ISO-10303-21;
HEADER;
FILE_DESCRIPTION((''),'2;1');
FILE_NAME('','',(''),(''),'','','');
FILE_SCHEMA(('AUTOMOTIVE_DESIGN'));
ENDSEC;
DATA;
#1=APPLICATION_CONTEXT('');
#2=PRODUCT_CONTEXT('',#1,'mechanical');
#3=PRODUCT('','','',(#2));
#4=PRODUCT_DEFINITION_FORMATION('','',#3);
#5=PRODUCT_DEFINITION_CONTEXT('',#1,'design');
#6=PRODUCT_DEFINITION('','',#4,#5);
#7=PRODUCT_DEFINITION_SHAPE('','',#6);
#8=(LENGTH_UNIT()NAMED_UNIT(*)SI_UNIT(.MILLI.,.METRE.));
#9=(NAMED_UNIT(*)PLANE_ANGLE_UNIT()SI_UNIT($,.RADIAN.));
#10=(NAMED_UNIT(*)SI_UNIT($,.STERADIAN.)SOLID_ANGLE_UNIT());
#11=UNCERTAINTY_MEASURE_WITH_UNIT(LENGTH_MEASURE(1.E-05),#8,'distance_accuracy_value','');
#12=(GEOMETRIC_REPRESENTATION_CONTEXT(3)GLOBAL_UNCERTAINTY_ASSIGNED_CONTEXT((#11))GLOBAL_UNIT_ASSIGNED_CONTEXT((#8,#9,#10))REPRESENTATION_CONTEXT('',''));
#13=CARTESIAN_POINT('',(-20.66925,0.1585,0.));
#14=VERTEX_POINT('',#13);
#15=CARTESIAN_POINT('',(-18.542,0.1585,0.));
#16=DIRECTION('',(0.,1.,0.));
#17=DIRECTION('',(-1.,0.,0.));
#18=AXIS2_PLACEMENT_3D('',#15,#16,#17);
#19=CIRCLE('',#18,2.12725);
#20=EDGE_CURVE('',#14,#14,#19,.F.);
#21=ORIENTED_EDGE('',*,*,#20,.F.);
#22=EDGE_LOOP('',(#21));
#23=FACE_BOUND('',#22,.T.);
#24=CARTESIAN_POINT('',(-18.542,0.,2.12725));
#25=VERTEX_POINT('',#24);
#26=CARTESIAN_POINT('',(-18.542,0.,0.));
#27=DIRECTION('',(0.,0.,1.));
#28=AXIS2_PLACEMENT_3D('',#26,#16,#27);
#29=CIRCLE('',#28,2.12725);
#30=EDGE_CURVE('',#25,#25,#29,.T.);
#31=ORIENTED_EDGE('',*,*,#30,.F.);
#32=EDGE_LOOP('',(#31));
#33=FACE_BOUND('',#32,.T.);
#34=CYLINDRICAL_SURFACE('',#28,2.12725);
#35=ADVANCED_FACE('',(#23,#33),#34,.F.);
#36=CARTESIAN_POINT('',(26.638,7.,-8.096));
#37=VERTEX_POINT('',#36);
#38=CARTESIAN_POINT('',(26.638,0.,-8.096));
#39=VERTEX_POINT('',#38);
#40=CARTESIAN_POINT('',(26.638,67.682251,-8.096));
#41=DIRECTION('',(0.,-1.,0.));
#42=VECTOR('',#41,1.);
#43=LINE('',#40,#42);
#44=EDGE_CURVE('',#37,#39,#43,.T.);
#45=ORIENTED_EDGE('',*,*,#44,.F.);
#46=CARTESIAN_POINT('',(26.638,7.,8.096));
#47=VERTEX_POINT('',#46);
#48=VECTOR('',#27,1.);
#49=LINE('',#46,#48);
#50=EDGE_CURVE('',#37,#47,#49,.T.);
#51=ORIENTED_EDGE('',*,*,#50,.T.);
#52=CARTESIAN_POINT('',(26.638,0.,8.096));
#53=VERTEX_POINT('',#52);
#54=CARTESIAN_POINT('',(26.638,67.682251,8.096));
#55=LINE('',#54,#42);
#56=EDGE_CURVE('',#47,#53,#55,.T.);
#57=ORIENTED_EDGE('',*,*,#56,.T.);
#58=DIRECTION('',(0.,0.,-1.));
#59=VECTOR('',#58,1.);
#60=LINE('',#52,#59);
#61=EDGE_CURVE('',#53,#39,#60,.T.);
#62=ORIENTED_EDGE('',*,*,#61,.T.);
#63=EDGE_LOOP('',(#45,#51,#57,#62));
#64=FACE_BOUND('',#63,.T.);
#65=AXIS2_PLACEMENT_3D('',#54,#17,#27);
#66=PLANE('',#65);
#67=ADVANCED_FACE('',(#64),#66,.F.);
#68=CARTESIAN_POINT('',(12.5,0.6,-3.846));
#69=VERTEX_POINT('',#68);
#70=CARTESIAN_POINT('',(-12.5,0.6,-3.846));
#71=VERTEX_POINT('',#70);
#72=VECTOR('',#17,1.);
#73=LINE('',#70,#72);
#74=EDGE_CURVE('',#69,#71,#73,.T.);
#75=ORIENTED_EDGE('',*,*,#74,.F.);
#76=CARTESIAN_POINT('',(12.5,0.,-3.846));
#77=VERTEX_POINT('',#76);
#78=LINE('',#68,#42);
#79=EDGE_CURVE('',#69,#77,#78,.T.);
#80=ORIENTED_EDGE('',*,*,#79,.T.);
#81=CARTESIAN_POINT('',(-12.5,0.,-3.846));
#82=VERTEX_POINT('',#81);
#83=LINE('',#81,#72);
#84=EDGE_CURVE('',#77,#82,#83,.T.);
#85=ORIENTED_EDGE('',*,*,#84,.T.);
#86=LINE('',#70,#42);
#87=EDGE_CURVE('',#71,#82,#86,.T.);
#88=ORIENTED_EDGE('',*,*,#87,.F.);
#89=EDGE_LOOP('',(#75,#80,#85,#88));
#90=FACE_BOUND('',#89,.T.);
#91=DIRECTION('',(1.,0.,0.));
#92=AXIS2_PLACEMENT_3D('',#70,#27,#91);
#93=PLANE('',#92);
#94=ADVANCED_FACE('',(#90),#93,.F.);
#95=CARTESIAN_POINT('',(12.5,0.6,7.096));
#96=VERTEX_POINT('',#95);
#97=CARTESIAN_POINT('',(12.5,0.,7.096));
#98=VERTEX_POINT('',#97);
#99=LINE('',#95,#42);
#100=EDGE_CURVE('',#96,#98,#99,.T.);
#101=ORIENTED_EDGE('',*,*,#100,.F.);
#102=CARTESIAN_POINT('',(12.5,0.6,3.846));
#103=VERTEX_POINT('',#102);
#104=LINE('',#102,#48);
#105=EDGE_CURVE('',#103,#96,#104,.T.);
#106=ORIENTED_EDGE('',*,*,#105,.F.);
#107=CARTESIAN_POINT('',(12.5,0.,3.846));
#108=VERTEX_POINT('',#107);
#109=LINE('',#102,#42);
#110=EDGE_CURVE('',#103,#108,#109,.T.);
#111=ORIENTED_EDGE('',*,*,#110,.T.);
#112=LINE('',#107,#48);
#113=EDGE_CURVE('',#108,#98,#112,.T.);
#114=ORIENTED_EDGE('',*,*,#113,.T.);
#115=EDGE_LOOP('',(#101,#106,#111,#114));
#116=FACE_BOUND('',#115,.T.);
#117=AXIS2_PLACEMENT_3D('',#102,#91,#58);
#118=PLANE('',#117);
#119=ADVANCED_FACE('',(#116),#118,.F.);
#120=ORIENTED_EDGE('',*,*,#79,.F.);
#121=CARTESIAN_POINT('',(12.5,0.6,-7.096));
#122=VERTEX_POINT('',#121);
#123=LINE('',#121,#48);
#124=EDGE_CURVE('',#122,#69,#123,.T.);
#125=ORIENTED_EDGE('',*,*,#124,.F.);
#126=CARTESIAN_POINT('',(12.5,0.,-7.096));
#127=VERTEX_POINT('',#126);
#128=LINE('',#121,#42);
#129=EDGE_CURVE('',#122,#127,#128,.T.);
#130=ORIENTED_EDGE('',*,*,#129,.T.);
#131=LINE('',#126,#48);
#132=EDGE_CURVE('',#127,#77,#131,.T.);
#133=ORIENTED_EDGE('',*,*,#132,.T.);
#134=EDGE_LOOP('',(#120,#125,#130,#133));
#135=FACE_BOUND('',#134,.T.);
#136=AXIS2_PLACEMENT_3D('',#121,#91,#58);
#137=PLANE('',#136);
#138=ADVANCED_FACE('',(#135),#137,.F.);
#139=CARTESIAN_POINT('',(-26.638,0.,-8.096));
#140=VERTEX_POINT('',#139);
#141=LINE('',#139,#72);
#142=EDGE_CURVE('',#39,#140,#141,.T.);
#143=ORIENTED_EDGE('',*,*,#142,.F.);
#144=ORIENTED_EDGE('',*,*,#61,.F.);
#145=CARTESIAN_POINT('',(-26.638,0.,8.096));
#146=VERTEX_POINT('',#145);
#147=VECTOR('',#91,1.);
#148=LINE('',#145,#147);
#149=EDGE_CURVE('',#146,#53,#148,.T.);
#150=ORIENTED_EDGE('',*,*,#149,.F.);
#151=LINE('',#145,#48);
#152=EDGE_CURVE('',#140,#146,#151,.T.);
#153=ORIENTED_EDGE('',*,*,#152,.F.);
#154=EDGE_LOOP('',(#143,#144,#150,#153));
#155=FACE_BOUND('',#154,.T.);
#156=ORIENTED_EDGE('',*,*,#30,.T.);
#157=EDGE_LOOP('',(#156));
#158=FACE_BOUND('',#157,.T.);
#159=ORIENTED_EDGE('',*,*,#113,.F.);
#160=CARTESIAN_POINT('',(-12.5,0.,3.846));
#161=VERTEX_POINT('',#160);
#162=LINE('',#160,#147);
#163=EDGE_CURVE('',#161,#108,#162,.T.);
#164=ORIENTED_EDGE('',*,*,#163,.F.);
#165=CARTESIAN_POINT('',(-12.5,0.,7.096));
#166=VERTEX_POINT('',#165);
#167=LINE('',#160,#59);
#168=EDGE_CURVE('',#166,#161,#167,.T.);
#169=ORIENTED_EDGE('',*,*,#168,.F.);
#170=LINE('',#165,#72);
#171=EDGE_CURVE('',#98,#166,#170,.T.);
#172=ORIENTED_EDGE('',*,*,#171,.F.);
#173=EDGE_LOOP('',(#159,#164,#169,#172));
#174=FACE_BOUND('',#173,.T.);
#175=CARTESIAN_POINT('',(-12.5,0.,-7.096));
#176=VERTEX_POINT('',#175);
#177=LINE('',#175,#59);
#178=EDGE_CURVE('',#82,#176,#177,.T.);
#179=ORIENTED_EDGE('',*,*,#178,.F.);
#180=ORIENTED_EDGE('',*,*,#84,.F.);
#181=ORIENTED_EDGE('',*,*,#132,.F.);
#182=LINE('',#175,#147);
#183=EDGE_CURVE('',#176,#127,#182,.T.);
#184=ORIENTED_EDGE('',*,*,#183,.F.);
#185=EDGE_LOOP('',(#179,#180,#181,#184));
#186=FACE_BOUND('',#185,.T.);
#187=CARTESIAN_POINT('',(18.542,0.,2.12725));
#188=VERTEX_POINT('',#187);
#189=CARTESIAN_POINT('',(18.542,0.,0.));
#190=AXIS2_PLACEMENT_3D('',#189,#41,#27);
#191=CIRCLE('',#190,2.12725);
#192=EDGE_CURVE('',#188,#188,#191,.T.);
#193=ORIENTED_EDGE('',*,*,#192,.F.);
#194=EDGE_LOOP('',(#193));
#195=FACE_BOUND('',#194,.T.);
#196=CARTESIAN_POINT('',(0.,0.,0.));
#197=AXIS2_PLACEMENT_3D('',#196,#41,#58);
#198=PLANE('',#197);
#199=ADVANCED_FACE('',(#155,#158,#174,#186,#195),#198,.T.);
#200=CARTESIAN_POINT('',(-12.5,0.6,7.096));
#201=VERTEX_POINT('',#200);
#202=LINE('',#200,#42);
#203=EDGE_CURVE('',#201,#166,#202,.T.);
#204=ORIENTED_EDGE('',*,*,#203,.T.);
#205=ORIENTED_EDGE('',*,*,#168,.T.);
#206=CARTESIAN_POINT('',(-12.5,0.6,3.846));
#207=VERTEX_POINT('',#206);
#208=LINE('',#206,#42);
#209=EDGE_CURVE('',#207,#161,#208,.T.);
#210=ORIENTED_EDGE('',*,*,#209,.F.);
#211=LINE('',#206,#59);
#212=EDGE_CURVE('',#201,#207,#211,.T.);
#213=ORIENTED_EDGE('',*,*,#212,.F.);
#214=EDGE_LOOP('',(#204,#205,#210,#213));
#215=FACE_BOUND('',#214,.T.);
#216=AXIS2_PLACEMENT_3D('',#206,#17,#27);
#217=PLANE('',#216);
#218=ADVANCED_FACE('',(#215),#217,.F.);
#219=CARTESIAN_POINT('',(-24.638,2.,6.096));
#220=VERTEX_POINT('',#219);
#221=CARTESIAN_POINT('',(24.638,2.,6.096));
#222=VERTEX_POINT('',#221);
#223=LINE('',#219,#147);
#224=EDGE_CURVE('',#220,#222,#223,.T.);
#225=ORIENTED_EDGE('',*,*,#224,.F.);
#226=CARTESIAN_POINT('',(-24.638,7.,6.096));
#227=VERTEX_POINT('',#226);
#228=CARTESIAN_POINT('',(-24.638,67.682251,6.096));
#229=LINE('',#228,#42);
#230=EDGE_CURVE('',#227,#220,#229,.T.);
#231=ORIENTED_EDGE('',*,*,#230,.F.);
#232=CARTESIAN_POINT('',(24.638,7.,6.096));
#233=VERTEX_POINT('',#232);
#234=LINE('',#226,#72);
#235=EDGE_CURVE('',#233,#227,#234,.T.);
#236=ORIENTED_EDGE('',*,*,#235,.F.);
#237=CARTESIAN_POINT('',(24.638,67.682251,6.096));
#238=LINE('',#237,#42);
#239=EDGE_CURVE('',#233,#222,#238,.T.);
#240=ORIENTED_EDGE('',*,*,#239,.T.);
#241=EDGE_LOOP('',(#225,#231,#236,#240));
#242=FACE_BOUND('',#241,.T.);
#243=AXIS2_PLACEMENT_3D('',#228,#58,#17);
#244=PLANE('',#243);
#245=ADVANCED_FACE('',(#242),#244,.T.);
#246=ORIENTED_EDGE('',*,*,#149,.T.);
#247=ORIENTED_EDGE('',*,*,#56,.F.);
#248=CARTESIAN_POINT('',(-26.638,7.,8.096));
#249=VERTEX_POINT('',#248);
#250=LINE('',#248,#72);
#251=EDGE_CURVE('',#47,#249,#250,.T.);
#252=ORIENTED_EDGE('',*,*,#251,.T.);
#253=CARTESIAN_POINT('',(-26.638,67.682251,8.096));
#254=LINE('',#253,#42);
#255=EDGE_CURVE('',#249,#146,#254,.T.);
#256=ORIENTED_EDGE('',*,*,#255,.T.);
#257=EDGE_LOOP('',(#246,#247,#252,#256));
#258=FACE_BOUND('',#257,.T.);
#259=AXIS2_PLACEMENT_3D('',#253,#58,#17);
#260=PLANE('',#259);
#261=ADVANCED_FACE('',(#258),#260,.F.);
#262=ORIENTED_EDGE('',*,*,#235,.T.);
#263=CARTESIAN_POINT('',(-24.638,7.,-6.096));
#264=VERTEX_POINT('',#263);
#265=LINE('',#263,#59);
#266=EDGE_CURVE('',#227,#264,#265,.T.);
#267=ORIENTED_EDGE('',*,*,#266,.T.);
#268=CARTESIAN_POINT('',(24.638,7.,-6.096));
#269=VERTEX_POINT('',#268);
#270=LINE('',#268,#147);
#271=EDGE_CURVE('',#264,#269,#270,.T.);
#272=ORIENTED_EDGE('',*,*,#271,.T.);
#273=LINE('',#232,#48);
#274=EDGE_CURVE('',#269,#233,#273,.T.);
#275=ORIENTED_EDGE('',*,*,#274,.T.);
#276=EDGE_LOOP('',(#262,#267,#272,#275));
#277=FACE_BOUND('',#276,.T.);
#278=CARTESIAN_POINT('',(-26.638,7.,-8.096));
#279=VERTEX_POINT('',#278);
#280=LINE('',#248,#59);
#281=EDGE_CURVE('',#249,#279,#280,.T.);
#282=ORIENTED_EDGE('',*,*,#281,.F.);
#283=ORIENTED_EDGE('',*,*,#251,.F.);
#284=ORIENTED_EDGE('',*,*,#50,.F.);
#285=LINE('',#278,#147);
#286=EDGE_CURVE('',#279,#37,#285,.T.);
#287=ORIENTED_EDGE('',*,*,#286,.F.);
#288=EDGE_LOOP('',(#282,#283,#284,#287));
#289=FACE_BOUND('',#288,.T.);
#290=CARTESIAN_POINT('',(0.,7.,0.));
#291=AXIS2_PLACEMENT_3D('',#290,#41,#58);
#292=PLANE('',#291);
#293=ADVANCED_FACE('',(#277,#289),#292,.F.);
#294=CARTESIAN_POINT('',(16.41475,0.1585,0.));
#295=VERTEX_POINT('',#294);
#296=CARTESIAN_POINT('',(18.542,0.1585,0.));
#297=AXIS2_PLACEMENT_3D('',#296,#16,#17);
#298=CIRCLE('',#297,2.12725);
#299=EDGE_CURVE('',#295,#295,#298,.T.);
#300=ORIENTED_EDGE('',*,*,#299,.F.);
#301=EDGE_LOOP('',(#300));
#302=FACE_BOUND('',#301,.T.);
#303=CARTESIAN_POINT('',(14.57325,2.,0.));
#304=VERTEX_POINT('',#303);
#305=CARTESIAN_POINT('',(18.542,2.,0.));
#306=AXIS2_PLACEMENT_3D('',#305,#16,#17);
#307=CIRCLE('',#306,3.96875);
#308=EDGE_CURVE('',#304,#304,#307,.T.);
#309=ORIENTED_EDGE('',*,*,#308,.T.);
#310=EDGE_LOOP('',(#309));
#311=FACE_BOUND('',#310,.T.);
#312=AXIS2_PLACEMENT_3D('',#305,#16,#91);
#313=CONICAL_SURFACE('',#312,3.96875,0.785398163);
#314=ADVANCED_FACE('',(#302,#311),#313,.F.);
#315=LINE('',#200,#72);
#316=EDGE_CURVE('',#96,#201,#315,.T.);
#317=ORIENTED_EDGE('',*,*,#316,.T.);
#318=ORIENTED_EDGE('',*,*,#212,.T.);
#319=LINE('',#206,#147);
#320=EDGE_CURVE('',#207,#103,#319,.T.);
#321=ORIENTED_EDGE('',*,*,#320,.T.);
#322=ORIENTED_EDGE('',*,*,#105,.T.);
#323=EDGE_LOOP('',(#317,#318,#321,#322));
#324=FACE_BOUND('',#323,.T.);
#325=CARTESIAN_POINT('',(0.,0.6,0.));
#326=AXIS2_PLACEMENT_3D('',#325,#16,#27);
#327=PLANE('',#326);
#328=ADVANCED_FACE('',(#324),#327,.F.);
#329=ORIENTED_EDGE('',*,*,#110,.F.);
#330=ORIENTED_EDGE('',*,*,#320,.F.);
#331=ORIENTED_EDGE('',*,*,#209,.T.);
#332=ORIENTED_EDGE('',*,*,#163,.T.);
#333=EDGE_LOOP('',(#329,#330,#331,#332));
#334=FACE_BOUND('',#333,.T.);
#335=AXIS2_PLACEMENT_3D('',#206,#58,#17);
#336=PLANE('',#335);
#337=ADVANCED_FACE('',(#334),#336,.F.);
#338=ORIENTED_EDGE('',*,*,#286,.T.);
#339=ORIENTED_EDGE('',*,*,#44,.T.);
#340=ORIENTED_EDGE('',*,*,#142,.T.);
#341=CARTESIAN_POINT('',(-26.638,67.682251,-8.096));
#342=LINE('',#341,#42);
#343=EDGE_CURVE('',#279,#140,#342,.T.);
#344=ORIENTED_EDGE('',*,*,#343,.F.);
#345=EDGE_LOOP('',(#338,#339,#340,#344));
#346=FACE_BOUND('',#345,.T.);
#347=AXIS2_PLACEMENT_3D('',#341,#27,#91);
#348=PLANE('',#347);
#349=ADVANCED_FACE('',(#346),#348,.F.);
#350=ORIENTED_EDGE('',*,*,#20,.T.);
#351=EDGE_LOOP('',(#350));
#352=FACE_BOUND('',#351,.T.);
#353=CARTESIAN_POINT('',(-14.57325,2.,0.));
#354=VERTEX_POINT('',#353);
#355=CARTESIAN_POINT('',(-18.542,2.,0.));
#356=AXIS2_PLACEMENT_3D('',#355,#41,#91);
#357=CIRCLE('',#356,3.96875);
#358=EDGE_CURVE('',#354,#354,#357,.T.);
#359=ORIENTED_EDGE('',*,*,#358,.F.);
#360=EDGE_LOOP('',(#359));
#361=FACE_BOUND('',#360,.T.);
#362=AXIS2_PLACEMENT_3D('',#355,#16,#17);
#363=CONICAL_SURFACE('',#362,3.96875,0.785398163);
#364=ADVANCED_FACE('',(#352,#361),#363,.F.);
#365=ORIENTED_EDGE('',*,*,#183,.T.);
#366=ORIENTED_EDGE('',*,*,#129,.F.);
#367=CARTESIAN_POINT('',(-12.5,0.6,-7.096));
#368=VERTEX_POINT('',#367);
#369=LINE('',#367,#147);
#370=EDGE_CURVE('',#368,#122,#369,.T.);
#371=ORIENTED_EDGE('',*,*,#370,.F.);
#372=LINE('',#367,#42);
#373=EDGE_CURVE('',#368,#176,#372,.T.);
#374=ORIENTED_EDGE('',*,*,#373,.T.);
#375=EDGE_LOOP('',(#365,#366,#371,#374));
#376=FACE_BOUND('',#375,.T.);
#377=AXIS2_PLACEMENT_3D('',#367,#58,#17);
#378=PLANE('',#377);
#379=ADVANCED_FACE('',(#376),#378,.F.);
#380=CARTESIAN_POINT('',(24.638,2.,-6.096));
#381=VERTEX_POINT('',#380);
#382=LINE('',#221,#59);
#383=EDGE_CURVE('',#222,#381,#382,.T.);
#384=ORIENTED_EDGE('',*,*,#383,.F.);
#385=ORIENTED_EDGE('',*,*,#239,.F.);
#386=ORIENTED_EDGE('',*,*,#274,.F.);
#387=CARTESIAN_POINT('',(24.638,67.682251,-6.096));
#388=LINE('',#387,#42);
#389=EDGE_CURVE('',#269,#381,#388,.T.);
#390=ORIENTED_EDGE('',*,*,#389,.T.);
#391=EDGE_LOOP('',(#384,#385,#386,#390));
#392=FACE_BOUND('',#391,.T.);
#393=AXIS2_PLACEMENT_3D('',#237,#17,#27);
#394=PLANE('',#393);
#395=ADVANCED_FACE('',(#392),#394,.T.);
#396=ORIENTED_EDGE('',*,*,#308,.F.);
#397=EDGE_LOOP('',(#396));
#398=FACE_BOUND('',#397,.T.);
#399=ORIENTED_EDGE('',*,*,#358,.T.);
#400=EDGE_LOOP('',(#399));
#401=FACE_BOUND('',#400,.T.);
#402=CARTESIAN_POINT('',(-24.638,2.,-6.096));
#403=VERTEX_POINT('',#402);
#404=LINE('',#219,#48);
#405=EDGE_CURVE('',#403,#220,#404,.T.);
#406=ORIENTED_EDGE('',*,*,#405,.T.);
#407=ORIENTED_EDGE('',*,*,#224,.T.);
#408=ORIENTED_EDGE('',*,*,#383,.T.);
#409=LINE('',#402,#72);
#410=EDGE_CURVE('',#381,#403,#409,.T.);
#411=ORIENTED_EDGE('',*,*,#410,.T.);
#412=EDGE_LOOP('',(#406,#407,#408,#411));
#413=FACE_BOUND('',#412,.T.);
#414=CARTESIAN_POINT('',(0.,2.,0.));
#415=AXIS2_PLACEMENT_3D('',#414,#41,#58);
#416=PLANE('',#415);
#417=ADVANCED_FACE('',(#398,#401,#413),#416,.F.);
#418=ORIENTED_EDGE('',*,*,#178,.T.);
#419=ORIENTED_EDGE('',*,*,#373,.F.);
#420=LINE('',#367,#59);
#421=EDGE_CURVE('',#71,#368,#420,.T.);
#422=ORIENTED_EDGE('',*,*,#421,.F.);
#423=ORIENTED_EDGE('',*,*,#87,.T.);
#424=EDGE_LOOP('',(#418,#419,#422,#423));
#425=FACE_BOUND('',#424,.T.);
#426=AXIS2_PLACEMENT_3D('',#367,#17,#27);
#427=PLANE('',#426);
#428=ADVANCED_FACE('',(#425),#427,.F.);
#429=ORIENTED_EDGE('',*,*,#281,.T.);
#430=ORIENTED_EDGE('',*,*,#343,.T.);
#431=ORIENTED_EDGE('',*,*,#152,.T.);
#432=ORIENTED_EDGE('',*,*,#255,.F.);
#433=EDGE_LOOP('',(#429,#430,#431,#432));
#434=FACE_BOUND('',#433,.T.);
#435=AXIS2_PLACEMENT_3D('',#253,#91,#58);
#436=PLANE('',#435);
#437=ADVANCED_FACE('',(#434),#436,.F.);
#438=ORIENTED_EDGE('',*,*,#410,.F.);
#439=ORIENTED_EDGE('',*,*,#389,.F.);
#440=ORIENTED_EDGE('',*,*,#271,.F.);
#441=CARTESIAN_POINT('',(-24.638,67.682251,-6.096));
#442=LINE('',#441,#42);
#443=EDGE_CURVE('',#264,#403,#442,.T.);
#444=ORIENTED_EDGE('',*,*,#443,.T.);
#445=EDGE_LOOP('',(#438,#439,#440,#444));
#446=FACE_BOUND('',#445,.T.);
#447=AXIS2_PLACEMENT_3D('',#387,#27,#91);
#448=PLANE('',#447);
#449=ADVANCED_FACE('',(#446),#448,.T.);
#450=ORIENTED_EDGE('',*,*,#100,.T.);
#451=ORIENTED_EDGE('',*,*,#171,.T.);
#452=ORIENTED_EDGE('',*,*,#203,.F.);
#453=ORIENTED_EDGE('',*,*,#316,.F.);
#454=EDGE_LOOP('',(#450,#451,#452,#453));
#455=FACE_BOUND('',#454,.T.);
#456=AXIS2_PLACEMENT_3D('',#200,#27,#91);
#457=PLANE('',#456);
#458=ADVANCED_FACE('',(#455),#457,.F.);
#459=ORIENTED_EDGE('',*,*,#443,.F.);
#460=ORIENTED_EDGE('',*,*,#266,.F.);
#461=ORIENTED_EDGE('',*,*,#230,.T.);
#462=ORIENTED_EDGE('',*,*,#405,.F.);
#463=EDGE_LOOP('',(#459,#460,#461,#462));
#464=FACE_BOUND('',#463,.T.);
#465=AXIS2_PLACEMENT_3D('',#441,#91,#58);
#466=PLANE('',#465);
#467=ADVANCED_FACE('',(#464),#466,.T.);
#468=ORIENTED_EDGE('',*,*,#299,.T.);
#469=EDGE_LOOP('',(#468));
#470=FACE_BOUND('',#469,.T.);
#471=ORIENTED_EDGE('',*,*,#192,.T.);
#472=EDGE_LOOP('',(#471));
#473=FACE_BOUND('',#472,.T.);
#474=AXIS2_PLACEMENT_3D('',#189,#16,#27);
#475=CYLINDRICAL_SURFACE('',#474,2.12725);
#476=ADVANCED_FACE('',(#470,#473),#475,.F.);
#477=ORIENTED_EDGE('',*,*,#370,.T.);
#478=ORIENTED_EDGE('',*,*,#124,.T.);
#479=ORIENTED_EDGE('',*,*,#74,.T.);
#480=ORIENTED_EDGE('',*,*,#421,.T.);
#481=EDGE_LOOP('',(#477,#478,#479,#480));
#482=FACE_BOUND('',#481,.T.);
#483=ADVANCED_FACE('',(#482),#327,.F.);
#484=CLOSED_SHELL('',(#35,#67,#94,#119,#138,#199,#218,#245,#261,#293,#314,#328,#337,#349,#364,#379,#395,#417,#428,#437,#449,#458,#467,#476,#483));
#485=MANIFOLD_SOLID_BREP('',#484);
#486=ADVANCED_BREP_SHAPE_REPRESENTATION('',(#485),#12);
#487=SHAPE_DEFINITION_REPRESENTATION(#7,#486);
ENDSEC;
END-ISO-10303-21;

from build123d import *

# Parameters (mm, degrees)
SKETCH1_W           = 49.276
SKETCH1_H           = 12.192
BOSS_EXTRUDE1_DEPTH = 2
SKETCH2_W           = 53.276
SKETCH2_H           = 16.192
SKETCH2_W_2         = 49.276
SKETCH2_H_2         = 12.192
BOSS_EXTRUDE2_DEPTH = 7
SKETCH3_R           = 2.12725
CUT_EXTRUDE1_DEPTH  = 3
SKETCH5_W           = 25
SKETCH5_H           = 3.25
CUT_EXTRUDE2_DEPTH  = 0.6


with BuildPart() as part:
    # Sketch1 → Boss-Extrude1 (new body)
    with BuildSketch(Plane(origin=(0, 0, 0), x_dir=(1, 0, 0), z_dir=(0, 1, 0))):
        Rectangle(SKETCH1_W, SKETCH1_H)
    extrude(amount=BOSS_EXTRUDE1_DEPTH)

    # Sketch2 → Boss-Extrude2 (add)
    with BuildSketch(Plane(origin=(0, 0, 0), x_dir=(1, 0, 0), z_dir=(0, 1, 0))):
        Rectangle(SKETCH2_W, SKETCH2_H)
        Rectangle(SKETCH2_W_2, SKETCH2_H_2, mode=Mode.SUBTRACT)
    extrude(amount=BOSS_EXTRUDE2_DEPTH)

    # Sketch3 → Cut-Extrude1 (cut, through all)
    with BuildSketch(Plane(origin=(0, 2, 0), x_dir=(1, 0, 0), z_dir=(0, 1, 0))):
        with Locations((-18.542, 0)):
            Circle(SKETCH3_R)
    cut_extrude1 = extrude(amount=-CUT_EXTRUDE1_DEPTH, mode=Mode.SUBTRACT)

    # Sketch4 → Cut-Revolve1 (revolve, cut)
    with BuildSketch(Plane(origin=(0, 0, 0), x_dir=(-1, 0, 0), z_dir=(0, 0, -1))):
        Polygon((18.542, 1), (18.542, 2), (14.57325, 2), (18.542, -1.96875), align=None)
    cut_revolve1 = revolve(axis=Axis((-18.542, 2, 0), (0, 1, 0)), mode=Mode.SUBTRACT)

    # Mirror1: Cut-Extrude1, Cut-Revolve1 across plane
    add(cut_extrude1.mirror(Plane(origin=(0, 0, 0), x_dir=(0, 0, 1), z_dir=(1, 0, 0))), mode=Mode.SUBTRACT)
    add(cut_revolve1.mirror(Plane(origin=(0, 0, 0), x_dir=(0, 0, 1), z_dir=(1, 0, 0))), mode=Mode.SUBTRACT)

    # Sketch5 → Cut-Extrude2 (cut)
    with BuildSketch(Plane(origin=(0, 0, 0), x_dir=(-1, 0, 0), z_dir=(0, -1, 0))):
        with Locations((0, -5.471)):
            Rectangle(SKETCH5_W, SKETCH5_H)
        with Locations((0, 5.471)):
            Rectangle(SKETCH5_W, SKETCH5_H)
    extrude(amount=-CUT_EXTRUDE2_DEPTH, mode=Mode.SUBTRACT)


solid = part.part
